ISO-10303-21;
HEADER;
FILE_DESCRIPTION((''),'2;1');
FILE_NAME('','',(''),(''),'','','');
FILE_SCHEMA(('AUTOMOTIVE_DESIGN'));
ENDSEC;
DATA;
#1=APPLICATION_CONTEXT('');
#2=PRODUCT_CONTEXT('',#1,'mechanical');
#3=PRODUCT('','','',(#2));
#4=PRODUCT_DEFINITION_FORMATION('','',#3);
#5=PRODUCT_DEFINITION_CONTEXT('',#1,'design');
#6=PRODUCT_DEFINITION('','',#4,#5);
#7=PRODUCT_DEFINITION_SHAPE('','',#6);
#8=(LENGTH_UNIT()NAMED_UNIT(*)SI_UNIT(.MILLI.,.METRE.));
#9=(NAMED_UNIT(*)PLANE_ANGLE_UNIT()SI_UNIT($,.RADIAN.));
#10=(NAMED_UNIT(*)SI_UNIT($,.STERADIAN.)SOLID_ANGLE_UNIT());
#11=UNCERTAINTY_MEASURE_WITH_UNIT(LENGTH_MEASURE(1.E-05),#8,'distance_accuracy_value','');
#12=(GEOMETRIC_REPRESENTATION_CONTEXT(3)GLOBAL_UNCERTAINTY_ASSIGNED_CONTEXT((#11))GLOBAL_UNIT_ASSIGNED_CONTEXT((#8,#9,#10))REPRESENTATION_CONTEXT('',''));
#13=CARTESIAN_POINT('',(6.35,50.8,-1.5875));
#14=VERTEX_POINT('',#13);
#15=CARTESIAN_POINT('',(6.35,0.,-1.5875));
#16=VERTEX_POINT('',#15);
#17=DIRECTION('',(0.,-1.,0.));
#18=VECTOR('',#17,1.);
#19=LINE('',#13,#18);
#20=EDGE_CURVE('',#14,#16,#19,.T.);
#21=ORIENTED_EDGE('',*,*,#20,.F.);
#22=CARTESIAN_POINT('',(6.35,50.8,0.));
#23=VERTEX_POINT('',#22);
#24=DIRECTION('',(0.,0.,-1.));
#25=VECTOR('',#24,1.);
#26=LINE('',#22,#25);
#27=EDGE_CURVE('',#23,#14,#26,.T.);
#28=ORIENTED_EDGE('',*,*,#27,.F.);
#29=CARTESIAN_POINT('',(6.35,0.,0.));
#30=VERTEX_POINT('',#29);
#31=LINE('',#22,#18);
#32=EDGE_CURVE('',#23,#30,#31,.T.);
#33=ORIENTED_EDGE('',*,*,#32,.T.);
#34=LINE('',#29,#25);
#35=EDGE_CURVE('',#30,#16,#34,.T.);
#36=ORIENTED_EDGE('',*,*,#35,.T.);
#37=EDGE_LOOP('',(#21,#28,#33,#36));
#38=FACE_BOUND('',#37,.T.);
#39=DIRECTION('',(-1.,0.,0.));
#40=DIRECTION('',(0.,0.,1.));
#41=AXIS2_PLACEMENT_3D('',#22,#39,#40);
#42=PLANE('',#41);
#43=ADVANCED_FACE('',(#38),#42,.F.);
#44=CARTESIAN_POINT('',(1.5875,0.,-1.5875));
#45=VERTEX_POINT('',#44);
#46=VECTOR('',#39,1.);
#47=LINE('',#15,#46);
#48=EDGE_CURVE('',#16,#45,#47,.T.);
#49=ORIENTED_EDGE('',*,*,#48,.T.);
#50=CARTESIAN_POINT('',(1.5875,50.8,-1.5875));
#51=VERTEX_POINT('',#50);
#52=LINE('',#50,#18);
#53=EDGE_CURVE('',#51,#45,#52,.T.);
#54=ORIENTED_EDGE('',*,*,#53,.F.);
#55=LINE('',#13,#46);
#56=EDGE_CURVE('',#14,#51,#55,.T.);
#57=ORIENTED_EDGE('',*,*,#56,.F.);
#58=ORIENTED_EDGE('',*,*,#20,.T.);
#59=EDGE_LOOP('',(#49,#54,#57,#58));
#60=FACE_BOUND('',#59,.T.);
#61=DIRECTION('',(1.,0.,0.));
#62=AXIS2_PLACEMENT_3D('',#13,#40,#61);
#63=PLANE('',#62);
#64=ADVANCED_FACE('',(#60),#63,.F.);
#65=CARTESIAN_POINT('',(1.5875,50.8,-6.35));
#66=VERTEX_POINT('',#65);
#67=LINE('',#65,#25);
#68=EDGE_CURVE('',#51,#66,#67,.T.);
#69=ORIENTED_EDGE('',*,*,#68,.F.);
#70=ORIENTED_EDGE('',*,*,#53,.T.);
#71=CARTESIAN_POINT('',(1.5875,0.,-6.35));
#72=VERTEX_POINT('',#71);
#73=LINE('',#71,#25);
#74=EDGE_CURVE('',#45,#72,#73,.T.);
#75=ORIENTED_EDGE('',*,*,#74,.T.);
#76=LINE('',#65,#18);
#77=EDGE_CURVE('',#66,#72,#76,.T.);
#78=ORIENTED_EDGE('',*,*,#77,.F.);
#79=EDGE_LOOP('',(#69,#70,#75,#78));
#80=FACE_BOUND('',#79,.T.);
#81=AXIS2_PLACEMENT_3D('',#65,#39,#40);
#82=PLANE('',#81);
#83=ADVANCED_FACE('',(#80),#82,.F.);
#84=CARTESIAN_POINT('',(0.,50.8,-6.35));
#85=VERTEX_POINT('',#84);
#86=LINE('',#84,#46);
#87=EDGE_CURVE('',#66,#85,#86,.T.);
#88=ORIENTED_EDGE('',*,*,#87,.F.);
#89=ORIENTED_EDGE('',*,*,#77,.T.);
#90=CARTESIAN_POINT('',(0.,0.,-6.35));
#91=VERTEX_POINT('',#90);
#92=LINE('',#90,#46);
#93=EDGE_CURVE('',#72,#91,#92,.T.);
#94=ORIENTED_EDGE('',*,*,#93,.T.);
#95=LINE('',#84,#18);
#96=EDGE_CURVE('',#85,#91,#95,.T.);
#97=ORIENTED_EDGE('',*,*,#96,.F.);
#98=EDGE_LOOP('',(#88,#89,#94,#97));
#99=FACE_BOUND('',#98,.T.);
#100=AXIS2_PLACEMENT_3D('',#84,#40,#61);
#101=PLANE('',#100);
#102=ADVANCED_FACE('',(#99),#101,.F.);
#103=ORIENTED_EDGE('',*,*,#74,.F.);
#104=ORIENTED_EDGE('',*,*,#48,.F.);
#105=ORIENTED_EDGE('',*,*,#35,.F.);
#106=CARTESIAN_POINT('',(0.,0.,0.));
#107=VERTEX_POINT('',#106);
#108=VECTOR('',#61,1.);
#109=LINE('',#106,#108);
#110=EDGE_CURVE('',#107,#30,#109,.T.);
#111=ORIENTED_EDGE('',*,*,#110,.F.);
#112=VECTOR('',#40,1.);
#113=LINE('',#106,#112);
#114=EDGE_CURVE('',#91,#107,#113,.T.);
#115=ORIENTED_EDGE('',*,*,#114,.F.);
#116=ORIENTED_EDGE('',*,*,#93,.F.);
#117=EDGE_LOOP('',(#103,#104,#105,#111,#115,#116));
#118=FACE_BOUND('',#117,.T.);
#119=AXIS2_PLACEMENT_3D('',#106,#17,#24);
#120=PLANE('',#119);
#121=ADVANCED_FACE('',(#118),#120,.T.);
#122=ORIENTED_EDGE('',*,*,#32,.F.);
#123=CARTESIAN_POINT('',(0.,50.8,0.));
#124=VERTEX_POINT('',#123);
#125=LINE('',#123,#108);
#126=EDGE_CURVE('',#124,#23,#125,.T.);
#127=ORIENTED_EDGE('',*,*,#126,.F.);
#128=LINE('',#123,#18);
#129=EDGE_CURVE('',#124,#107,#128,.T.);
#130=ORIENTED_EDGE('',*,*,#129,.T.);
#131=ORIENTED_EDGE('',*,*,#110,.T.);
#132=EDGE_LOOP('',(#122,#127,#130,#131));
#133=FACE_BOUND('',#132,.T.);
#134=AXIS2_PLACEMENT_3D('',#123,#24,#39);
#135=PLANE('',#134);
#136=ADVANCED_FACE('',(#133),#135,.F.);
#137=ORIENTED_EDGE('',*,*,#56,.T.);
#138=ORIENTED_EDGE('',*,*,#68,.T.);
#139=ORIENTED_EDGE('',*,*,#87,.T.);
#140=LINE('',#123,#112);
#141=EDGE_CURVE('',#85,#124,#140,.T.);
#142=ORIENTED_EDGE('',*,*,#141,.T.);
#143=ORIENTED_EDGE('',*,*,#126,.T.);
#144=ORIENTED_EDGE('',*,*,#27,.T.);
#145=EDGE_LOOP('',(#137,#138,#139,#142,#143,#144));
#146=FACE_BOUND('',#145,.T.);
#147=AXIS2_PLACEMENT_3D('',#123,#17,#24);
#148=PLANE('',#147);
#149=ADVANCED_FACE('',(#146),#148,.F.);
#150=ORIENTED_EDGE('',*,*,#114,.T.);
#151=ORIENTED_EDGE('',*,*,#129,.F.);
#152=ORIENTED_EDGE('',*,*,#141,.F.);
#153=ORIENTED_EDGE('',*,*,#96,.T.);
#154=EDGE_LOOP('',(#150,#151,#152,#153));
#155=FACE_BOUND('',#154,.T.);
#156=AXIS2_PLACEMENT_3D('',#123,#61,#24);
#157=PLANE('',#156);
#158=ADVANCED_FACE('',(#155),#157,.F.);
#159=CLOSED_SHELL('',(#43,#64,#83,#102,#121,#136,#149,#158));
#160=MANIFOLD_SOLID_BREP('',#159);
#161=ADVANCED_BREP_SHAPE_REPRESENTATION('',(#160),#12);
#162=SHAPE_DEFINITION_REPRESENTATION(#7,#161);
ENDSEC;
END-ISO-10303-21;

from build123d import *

# Parameters (mm, degrees)
BOSS_EXTRUDE1_DEPTH = 50.8


with BuildPart() as part:
    # Sketch1 → Boss-Extrude1 (new body)
    with BuildSketch(Plane(origin=(0, 0, 0), x_dir=(1, 0, 0), z_dir=(0, 1, 0))):
        Polygon((0, 0), (6.35, 0), (6.35, 1.5875), (1.5875, 1.5875), (1.5875, 6.35), (0, 6.35), align=None)
    extrude(amount=BOSS_EXTRUDE1_DEPTH)


solid = part.part
